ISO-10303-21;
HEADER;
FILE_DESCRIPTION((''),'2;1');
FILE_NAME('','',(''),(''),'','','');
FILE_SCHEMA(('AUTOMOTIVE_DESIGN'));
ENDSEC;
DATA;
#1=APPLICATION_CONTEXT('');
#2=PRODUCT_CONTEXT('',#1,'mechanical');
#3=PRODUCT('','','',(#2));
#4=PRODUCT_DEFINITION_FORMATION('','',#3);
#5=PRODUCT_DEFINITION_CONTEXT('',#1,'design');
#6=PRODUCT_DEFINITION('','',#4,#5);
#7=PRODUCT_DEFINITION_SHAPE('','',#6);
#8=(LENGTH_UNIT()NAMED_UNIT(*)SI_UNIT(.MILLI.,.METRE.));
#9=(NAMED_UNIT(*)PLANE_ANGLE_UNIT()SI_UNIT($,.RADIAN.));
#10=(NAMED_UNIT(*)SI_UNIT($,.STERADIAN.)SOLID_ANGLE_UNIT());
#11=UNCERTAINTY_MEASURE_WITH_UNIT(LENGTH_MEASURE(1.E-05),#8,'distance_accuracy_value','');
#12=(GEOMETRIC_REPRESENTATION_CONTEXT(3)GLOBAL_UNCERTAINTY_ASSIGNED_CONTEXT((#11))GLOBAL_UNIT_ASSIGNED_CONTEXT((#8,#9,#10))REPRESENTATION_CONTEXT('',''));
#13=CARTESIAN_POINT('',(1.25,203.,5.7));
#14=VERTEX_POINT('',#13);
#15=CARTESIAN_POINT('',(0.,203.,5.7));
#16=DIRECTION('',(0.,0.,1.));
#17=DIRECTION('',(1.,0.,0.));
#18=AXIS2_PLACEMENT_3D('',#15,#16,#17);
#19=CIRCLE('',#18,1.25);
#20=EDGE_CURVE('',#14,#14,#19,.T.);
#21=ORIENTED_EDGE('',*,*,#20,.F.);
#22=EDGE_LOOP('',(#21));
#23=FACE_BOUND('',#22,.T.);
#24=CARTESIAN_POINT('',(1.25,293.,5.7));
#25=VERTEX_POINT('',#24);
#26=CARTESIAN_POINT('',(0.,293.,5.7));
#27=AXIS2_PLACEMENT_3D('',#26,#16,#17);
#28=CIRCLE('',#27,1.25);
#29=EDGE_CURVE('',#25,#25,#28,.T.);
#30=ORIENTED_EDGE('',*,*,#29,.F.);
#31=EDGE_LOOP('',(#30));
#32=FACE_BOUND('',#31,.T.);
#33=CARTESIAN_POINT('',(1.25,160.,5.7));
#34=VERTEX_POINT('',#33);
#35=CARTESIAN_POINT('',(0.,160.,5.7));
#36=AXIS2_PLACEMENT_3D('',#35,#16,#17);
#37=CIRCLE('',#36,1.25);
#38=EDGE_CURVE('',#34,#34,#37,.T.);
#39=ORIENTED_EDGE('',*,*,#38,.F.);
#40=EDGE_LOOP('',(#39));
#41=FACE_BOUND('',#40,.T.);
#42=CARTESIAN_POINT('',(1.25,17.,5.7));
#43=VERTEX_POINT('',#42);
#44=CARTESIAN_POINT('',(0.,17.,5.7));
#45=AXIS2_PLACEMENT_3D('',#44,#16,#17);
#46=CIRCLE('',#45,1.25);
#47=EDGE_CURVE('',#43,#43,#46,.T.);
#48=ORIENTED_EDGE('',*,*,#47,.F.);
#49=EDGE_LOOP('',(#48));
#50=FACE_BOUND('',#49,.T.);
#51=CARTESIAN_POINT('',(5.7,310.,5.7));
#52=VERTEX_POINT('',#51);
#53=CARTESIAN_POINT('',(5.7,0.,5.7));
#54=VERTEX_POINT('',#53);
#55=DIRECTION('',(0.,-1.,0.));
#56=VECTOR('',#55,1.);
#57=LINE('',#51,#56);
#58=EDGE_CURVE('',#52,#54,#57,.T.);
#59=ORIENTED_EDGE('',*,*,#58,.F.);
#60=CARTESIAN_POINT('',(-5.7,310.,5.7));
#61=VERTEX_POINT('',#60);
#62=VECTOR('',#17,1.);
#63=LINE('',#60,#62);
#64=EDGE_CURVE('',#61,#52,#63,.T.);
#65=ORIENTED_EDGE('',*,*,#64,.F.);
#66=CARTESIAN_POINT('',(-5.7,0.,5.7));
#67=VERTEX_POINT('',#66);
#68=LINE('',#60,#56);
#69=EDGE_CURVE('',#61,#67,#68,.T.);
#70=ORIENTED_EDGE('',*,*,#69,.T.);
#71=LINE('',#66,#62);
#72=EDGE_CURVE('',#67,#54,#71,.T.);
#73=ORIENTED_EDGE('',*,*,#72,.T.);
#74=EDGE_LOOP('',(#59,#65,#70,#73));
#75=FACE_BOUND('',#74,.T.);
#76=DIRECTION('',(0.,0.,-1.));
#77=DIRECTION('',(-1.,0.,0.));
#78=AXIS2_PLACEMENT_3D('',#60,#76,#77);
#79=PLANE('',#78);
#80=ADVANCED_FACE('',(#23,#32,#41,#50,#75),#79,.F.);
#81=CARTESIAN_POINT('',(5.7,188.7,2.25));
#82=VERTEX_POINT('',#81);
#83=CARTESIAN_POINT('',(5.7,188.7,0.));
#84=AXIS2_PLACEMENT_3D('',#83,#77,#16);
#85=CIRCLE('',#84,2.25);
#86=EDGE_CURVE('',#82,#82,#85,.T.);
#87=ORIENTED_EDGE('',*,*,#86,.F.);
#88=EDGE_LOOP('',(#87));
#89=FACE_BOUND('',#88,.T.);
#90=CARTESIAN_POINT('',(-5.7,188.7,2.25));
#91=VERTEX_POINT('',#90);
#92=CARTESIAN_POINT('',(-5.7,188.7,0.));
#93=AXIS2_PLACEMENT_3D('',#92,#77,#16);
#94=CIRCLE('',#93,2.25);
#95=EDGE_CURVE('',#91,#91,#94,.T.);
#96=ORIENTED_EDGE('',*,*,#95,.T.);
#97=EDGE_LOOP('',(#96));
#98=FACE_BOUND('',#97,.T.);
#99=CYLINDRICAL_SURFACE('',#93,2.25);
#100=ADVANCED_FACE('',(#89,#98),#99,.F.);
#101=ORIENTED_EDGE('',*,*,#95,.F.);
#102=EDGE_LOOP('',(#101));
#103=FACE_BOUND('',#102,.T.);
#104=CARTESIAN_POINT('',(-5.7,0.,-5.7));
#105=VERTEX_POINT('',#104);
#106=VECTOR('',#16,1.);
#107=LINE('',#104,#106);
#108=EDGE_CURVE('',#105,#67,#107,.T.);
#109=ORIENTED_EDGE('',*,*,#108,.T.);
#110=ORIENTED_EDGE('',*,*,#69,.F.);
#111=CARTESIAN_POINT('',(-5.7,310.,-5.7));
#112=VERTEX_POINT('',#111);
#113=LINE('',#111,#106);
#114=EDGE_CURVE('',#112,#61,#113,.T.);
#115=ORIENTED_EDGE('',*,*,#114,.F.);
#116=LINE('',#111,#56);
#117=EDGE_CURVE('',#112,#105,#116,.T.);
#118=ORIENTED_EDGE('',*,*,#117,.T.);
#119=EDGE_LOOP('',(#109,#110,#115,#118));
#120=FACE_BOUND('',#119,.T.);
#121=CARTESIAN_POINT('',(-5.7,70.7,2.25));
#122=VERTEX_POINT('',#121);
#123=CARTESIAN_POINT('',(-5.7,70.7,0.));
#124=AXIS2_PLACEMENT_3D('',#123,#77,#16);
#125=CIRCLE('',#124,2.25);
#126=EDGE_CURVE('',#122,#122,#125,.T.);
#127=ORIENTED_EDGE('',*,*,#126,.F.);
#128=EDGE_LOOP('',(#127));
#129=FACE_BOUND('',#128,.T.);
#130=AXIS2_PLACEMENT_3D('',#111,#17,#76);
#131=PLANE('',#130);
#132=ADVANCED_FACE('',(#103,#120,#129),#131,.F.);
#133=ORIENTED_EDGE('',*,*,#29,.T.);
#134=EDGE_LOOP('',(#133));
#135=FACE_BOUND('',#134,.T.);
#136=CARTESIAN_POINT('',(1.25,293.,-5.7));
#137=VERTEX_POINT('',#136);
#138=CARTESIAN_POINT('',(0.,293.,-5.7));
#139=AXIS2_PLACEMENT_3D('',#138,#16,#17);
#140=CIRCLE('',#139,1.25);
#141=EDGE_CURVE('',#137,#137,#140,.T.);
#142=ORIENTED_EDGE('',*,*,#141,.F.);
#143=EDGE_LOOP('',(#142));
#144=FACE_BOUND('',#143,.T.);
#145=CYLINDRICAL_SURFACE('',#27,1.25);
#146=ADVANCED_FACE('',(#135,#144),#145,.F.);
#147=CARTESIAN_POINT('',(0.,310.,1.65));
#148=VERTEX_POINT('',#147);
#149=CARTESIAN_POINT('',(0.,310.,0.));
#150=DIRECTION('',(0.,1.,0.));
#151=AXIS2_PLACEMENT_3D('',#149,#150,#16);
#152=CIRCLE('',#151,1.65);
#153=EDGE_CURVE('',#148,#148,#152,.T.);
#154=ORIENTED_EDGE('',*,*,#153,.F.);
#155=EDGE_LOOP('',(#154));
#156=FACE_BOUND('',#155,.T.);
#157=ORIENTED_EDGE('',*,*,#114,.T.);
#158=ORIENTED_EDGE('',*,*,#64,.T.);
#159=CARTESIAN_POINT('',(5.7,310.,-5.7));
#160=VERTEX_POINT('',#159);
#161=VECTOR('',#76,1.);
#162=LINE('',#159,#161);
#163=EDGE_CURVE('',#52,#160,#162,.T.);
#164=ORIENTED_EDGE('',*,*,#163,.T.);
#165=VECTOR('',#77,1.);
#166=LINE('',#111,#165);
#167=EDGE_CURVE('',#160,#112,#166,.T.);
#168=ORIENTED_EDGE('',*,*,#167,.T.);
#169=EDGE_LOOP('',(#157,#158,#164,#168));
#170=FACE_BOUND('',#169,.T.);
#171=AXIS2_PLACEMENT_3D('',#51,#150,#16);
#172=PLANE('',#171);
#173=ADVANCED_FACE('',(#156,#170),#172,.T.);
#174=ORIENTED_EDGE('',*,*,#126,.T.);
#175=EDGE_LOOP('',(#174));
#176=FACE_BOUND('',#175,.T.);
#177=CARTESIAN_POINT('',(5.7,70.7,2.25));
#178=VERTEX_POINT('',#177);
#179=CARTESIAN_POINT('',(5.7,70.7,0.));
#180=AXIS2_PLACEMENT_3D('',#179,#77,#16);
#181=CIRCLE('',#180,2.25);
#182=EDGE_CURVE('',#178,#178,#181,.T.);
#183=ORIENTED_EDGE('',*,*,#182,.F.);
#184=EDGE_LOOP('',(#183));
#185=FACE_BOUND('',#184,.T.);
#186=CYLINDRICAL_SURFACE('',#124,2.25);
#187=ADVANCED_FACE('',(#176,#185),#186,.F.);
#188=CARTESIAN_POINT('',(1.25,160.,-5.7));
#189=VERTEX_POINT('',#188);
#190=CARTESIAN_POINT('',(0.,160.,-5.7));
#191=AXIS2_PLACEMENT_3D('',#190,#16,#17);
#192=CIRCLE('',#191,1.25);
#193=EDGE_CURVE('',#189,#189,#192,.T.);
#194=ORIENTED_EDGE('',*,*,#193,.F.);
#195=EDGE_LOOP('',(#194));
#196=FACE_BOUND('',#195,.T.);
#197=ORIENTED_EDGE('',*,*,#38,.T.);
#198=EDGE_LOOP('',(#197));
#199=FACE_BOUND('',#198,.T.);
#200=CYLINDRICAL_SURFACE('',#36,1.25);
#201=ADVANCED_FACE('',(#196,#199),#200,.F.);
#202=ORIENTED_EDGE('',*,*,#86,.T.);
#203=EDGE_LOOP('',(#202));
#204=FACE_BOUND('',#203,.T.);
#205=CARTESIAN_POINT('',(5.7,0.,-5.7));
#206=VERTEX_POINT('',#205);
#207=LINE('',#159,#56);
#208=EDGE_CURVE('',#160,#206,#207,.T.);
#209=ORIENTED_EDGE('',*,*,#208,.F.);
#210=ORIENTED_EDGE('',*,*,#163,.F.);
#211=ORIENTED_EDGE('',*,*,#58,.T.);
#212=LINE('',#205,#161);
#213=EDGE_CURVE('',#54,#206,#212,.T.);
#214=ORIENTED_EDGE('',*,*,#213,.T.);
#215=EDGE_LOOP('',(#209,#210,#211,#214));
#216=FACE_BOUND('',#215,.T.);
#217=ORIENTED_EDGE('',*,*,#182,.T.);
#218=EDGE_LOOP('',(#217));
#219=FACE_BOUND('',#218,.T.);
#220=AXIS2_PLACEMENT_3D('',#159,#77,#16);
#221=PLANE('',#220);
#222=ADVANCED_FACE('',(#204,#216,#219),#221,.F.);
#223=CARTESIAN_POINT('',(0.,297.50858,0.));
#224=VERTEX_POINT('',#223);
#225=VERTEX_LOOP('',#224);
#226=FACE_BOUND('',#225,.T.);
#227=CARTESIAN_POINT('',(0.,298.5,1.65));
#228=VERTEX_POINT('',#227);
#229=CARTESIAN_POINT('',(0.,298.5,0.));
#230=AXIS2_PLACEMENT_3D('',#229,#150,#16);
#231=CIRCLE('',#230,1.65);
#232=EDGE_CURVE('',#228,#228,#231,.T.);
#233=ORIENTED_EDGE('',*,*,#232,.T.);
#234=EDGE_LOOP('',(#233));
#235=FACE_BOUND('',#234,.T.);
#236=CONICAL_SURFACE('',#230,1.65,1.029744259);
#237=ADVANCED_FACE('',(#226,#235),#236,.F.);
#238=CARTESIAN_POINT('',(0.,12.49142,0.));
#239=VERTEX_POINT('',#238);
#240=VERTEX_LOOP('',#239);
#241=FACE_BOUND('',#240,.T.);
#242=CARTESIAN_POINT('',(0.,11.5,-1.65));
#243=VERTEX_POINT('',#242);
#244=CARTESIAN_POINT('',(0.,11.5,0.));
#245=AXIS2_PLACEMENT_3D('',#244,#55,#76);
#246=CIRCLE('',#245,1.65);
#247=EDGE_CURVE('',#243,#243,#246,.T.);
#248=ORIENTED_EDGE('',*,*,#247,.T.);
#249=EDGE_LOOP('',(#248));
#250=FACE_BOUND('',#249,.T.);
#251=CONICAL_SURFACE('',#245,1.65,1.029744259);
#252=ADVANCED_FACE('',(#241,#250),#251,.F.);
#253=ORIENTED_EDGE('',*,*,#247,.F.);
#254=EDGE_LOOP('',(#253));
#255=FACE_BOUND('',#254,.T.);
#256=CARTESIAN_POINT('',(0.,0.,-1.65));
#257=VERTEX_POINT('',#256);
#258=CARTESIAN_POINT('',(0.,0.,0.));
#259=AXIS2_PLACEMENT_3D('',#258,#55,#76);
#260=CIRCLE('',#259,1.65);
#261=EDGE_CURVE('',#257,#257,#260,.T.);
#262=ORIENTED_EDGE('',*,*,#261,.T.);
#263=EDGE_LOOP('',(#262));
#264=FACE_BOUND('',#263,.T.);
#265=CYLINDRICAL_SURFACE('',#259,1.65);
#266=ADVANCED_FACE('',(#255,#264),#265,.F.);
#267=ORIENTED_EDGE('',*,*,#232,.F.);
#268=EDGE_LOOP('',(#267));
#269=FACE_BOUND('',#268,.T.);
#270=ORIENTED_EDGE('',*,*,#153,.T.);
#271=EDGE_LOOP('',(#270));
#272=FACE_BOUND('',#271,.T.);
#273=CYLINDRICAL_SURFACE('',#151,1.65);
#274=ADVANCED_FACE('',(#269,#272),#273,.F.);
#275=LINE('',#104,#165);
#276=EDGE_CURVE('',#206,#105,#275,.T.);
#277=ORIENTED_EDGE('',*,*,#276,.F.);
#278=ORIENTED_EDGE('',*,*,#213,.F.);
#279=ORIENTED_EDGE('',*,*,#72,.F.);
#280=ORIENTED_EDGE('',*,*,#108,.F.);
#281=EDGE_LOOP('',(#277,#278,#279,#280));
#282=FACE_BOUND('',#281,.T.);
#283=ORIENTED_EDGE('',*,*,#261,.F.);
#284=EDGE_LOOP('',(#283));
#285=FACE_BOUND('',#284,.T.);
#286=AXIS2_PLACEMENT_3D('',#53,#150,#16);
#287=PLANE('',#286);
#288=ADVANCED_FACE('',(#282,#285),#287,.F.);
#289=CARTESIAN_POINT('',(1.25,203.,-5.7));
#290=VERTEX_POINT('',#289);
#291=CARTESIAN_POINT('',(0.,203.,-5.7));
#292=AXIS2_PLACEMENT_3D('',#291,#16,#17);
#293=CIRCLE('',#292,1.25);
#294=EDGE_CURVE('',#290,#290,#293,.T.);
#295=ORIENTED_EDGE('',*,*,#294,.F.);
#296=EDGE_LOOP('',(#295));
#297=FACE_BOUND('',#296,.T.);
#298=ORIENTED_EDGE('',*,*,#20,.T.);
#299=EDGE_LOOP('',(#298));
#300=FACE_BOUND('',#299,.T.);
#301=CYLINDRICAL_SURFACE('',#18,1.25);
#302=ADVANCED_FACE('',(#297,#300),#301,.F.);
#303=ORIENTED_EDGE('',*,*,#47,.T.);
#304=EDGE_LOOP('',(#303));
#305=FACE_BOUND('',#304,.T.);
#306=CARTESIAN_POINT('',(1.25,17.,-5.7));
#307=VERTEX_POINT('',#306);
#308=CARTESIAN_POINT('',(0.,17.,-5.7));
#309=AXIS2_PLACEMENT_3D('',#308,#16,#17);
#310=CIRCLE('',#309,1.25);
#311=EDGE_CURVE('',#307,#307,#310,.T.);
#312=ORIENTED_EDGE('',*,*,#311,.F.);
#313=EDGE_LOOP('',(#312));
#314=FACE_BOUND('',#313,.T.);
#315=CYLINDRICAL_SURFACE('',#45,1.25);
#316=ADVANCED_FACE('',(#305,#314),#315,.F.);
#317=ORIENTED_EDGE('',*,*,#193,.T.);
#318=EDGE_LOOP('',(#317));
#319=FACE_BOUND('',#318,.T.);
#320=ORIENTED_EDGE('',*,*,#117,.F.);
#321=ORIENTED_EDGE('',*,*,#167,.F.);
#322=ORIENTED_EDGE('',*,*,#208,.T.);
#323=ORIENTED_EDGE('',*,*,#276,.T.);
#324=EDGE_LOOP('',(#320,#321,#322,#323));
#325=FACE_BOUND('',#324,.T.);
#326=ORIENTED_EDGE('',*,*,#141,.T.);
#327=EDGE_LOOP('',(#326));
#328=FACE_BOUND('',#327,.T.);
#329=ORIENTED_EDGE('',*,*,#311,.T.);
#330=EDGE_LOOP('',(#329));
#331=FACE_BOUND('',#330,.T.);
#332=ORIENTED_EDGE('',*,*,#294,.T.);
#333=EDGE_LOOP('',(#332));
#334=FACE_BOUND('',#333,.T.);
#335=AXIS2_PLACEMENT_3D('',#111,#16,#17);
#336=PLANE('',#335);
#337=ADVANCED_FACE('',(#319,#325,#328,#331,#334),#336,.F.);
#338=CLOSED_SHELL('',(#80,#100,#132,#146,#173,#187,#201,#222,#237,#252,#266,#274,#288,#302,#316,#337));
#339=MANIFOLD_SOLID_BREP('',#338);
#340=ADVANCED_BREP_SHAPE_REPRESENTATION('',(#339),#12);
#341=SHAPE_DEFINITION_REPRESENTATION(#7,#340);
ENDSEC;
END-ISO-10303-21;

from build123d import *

# Parameters (mm, degrees)
ESQUISSE1_W           = 11.4
ESQUISSE1_H           = 11.4
BOSS_EXTRU_1_DEPTH    = 310
TROU_TARAUD_M31_D     = 2.5
TROU_TARAUD_M41_D     = 3.3
TROU_TARAUD_M41_DEPTH = 11.5
TROU_TARAUD_M41_TIP   = 0.991420021
TROU_TARAUD_M42_D     = 3.3
TROU_TARAUD_M42_DEPTH = 11.5
TROU_TARAUD_M42_TIP   = 0.991420021
D_GAGEMENT_M41_D      = 4.5
D_GAGEMENT_M42_D      = 4.5


with BuildPart() as part:
    # Esquisse1 → Boss.-Extru.1 (new body)
    with BuildSketch(Plane(origin=(0, 0, 0), x_dir=(1, 0, 0), z_dir=(0, 1, 0))):
        Rectangle(ESQUISSE1_W, ESQUISSE1_H)
    extrude(amount=BOSS_EXTRU_1_DEPTH)

    # Trou taraudé M31 (through all)
    with Locations(Plane.XY.offset(5.7)):
        with Locations((0, 293), (0, 17), (0, 160), (0, 203)):
            Hole(TROU_TARAUD_M31_D / 2)

    # Trou taraudé M41
    with Locations(Plane(origin=(0, 310, 0), x_dir=(-1, 0, 0), z_dir=(0, 1, 0))):
        with Locations((0, 0)):
            Hole(TROU_TARAUD_M41_D / 2, depth=TROU_TARAUD_M41_DEPTH)
            with Locations((0, 0, -(TROU_TARAUD_M41_DEPTH + TROU_TARAUD_M41_TIP / 2))):  # 118° drill point
                Cone(0, TROU_TARAUD_M41_D / 2, TROU_TARAUD_M41_TIP, mode=Mode.SUBTRACT)

    # Trou taraudé M42
    with Locations(Plane.XZ):
        with Locations((0, 0)):
            Hole(TROU_TARAUD_M42_D / 2, depth=TROU_TARAUD_M42_DEPTH)
            with Locations((0, 0, -(TROU_TARAUD_M42_DEPTH + TROU_TARAUD_M42_TIP / 2))):  # 118° drill point
                Cone(0, TROU_TARAUD_M42_D / 2, TROU_TARAUD_M42_TIP, mode=Mode.SUBTRACT)

    # Dégagement M41 (through all)
    with Locations(Plane.ZY.offset(5.7)):
        with Locations((0, 70.7)):
            Hole(D_GAGEMENT_M41_D / 2)

    # Dégagement M42 (through all)
    with Locations(Plane.ZY.offset(5.7)):
        with Locations((0, 188.7)):
            Hole(D_GAGEMENT_M42_D / 2)


solid = part.part
